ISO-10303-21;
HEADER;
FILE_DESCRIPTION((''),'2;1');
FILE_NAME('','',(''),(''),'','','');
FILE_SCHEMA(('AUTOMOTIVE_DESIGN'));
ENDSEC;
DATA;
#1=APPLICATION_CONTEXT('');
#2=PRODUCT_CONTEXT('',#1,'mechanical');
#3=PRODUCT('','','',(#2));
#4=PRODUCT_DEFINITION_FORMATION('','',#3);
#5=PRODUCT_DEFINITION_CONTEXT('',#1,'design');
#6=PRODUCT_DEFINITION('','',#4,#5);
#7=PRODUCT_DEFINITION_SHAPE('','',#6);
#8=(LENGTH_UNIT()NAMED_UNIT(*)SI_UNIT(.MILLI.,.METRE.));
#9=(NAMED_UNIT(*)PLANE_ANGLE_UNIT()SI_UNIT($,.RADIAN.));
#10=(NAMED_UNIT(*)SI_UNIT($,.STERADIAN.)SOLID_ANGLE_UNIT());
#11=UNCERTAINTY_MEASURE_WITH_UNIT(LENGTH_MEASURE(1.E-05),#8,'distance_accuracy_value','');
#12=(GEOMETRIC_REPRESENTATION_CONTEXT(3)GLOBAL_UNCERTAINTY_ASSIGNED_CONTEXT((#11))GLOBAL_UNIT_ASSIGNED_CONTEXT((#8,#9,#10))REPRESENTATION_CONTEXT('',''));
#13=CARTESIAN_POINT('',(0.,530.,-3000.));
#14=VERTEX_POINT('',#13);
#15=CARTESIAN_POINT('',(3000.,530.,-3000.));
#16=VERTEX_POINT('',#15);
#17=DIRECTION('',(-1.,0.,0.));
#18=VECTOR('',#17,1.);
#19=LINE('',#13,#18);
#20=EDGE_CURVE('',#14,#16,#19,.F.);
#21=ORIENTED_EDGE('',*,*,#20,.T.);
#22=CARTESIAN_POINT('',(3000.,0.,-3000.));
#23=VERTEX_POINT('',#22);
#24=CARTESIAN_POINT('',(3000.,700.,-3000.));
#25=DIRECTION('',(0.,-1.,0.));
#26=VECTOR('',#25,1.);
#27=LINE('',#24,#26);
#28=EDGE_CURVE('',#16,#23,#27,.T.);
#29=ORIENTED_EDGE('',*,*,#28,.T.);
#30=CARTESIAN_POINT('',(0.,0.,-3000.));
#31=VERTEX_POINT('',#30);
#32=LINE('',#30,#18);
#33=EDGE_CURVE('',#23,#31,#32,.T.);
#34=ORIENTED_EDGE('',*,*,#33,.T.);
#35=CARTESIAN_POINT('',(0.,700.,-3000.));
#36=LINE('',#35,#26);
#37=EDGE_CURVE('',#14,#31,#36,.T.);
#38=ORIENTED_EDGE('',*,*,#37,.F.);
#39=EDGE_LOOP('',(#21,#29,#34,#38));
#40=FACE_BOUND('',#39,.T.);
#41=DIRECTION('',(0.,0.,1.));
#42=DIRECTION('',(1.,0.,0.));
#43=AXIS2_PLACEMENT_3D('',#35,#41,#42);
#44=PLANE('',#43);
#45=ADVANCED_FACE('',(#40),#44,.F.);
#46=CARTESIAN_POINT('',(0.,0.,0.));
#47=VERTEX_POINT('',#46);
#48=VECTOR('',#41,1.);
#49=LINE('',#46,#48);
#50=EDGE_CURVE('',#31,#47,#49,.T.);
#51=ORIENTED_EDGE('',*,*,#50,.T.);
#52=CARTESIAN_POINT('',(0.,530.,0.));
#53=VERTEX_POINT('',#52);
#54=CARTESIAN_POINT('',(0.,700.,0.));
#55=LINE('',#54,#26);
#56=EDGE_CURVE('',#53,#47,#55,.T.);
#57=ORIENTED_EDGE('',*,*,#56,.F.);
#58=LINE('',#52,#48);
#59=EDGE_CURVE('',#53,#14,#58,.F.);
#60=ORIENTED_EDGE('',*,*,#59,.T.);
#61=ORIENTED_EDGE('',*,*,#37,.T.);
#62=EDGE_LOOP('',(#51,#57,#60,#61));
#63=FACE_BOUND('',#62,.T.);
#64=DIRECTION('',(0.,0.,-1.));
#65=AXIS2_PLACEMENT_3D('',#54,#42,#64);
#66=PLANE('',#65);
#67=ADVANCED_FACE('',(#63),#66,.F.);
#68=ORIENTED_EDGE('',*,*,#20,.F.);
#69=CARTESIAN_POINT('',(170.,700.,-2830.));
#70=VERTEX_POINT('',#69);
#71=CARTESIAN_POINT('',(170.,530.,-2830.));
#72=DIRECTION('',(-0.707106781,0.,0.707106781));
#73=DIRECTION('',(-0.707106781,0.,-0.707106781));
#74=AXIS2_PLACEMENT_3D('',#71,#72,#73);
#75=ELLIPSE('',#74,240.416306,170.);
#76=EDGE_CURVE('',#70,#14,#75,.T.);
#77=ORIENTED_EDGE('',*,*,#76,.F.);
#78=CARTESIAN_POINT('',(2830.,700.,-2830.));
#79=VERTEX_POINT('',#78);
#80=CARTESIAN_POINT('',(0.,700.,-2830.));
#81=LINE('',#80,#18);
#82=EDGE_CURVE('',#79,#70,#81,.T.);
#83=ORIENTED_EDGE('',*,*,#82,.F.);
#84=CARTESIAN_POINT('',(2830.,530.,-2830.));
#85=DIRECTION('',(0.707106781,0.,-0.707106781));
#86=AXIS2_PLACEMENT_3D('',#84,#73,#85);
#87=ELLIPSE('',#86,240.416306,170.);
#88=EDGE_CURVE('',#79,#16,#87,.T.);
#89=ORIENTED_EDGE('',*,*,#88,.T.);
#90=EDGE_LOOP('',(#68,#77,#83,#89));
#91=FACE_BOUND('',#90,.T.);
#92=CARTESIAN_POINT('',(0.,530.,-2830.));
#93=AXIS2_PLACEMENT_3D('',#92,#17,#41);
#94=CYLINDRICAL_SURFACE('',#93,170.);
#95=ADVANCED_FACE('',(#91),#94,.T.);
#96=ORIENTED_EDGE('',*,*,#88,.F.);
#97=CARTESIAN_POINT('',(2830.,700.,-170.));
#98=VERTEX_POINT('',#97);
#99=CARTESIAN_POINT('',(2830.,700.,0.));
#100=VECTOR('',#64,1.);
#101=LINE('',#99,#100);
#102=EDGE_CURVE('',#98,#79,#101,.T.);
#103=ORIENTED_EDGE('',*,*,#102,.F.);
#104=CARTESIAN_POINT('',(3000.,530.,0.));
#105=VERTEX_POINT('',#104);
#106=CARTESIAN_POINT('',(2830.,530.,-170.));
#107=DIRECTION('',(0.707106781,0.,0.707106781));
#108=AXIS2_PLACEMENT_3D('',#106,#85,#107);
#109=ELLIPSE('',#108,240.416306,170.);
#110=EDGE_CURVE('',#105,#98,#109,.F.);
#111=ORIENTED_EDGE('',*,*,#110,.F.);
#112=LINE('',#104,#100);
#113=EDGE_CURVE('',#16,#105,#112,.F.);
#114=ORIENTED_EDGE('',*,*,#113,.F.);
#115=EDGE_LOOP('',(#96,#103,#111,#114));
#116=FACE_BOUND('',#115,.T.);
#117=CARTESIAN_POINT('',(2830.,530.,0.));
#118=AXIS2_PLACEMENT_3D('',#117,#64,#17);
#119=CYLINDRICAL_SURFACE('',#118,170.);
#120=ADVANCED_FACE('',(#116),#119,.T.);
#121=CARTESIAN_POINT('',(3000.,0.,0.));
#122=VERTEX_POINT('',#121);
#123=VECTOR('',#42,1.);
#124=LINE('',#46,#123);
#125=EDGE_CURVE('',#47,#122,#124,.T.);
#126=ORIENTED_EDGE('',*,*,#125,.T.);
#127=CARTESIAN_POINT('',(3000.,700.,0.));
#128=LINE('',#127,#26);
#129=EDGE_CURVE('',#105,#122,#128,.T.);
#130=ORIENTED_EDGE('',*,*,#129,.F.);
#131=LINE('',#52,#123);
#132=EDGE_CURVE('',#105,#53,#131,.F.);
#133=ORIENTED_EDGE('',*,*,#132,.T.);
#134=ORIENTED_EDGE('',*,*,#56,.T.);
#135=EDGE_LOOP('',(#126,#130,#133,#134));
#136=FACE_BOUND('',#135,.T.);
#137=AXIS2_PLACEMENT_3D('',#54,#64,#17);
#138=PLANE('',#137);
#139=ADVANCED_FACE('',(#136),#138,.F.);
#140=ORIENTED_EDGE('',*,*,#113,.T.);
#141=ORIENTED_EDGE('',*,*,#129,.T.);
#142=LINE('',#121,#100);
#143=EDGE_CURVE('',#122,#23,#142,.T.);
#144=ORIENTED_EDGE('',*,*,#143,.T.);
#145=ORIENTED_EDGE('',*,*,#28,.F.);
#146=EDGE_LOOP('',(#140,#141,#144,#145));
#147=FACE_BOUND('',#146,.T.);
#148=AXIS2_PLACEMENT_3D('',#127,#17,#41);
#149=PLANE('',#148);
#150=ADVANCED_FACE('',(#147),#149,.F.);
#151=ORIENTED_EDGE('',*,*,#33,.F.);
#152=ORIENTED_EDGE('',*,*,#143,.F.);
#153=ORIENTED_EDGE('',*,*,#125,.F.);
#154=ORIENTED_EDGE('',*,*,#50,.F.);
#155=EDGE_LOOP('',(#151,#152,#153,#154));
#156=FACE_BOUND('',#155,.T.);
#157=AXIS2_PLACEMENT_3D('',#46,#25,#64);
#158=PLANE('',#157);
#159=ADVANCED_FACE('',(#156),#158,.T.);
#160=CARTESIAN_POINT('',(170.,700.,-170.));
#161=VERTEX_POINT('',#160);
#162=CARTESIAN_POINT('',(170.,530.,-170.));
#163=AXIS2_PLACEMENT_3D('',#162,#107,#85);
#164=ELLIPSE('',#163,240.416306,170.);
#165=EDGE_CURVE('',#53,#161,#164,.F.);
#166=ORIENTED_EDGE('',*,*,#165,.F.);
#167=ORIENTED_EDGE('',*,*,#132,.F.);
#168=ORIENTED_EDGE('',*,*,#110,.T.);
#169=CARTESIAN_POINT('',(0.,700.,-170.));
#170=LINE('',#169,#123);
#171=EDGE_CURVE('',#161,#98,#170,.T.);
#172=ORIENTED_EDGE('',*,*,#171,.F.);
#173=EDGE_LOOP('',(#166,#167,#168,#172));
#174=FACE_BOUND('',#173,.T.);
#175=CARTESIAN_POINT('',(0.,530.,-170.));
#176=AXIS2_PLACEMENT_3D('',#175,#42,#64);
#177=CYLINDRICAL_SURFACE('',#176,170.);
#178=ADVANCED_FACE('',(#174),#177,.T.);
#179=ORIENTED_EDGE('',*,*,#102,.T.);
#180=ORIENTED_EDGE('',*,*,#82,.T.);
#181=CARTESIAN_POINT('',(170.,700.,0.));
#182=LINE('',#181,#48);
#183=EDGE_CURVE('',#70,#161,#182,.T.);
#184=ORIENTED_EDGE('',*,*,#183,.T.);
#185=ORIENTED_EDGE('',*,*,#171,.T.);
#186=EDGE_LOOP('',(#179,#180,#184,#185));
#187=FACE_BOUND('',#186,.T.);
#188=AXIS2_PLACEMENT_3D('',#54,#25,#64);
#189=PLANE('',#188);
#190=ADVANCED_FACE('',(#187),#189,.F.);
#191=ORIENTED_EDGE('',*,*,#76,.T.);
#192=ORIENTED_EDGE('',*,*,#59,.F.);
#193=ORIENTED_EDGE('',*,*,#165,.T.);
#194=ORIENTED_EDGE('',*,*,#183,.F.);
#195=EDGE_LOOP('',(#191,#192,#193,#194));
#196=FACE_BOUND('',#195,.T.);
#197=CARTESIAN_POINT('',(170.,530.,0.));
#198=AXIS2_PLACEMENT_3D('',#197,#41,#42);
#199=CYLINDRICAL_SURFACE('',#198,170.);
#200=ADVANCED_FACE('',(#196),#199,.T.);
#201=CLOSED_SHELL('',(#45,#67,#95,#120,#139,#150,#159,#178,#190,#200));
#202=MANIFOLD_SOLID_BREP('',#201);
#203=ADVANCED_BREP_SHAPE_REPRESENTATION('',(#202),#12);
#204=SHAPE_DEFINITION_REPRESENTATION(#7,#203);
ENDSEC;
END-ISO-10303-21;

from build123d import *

# Parameters (mm, degrees)
CROQUIS1_W              = 3000
CROQUIS1_H              = 3000
SALIENTE_EXTRUIR1_DEPTH = 700
REDONDEO1_R             = 170


with BuildPart() as part:
    # Croquis1 → Saliente-Extruir1 (new body)
    with BuildSketch(Plane(origin=(0, 0, 0), x_dir=(1, 0, 0), z_dir=(0, 1, 0))):
        with Locations((1500, 1500)):
            Rectangle(CROQUIS1_W, CROQUIS1_H)
    extrude(amount=SALIENTE_EXTRUIR1_DEPTH)

    # Redondeo1
    redondeo1_edges = [part.edges().sort_by_distance(p)[0] for p in [
        (3000, 700, -1500),
        (1500, 700, -3000),
        (0, 700, -1500),
        (1500, 700, 0),
    ]]
    fillet(redondeo1_edges, radius=REDONDEO1_R)


solid = part.part
